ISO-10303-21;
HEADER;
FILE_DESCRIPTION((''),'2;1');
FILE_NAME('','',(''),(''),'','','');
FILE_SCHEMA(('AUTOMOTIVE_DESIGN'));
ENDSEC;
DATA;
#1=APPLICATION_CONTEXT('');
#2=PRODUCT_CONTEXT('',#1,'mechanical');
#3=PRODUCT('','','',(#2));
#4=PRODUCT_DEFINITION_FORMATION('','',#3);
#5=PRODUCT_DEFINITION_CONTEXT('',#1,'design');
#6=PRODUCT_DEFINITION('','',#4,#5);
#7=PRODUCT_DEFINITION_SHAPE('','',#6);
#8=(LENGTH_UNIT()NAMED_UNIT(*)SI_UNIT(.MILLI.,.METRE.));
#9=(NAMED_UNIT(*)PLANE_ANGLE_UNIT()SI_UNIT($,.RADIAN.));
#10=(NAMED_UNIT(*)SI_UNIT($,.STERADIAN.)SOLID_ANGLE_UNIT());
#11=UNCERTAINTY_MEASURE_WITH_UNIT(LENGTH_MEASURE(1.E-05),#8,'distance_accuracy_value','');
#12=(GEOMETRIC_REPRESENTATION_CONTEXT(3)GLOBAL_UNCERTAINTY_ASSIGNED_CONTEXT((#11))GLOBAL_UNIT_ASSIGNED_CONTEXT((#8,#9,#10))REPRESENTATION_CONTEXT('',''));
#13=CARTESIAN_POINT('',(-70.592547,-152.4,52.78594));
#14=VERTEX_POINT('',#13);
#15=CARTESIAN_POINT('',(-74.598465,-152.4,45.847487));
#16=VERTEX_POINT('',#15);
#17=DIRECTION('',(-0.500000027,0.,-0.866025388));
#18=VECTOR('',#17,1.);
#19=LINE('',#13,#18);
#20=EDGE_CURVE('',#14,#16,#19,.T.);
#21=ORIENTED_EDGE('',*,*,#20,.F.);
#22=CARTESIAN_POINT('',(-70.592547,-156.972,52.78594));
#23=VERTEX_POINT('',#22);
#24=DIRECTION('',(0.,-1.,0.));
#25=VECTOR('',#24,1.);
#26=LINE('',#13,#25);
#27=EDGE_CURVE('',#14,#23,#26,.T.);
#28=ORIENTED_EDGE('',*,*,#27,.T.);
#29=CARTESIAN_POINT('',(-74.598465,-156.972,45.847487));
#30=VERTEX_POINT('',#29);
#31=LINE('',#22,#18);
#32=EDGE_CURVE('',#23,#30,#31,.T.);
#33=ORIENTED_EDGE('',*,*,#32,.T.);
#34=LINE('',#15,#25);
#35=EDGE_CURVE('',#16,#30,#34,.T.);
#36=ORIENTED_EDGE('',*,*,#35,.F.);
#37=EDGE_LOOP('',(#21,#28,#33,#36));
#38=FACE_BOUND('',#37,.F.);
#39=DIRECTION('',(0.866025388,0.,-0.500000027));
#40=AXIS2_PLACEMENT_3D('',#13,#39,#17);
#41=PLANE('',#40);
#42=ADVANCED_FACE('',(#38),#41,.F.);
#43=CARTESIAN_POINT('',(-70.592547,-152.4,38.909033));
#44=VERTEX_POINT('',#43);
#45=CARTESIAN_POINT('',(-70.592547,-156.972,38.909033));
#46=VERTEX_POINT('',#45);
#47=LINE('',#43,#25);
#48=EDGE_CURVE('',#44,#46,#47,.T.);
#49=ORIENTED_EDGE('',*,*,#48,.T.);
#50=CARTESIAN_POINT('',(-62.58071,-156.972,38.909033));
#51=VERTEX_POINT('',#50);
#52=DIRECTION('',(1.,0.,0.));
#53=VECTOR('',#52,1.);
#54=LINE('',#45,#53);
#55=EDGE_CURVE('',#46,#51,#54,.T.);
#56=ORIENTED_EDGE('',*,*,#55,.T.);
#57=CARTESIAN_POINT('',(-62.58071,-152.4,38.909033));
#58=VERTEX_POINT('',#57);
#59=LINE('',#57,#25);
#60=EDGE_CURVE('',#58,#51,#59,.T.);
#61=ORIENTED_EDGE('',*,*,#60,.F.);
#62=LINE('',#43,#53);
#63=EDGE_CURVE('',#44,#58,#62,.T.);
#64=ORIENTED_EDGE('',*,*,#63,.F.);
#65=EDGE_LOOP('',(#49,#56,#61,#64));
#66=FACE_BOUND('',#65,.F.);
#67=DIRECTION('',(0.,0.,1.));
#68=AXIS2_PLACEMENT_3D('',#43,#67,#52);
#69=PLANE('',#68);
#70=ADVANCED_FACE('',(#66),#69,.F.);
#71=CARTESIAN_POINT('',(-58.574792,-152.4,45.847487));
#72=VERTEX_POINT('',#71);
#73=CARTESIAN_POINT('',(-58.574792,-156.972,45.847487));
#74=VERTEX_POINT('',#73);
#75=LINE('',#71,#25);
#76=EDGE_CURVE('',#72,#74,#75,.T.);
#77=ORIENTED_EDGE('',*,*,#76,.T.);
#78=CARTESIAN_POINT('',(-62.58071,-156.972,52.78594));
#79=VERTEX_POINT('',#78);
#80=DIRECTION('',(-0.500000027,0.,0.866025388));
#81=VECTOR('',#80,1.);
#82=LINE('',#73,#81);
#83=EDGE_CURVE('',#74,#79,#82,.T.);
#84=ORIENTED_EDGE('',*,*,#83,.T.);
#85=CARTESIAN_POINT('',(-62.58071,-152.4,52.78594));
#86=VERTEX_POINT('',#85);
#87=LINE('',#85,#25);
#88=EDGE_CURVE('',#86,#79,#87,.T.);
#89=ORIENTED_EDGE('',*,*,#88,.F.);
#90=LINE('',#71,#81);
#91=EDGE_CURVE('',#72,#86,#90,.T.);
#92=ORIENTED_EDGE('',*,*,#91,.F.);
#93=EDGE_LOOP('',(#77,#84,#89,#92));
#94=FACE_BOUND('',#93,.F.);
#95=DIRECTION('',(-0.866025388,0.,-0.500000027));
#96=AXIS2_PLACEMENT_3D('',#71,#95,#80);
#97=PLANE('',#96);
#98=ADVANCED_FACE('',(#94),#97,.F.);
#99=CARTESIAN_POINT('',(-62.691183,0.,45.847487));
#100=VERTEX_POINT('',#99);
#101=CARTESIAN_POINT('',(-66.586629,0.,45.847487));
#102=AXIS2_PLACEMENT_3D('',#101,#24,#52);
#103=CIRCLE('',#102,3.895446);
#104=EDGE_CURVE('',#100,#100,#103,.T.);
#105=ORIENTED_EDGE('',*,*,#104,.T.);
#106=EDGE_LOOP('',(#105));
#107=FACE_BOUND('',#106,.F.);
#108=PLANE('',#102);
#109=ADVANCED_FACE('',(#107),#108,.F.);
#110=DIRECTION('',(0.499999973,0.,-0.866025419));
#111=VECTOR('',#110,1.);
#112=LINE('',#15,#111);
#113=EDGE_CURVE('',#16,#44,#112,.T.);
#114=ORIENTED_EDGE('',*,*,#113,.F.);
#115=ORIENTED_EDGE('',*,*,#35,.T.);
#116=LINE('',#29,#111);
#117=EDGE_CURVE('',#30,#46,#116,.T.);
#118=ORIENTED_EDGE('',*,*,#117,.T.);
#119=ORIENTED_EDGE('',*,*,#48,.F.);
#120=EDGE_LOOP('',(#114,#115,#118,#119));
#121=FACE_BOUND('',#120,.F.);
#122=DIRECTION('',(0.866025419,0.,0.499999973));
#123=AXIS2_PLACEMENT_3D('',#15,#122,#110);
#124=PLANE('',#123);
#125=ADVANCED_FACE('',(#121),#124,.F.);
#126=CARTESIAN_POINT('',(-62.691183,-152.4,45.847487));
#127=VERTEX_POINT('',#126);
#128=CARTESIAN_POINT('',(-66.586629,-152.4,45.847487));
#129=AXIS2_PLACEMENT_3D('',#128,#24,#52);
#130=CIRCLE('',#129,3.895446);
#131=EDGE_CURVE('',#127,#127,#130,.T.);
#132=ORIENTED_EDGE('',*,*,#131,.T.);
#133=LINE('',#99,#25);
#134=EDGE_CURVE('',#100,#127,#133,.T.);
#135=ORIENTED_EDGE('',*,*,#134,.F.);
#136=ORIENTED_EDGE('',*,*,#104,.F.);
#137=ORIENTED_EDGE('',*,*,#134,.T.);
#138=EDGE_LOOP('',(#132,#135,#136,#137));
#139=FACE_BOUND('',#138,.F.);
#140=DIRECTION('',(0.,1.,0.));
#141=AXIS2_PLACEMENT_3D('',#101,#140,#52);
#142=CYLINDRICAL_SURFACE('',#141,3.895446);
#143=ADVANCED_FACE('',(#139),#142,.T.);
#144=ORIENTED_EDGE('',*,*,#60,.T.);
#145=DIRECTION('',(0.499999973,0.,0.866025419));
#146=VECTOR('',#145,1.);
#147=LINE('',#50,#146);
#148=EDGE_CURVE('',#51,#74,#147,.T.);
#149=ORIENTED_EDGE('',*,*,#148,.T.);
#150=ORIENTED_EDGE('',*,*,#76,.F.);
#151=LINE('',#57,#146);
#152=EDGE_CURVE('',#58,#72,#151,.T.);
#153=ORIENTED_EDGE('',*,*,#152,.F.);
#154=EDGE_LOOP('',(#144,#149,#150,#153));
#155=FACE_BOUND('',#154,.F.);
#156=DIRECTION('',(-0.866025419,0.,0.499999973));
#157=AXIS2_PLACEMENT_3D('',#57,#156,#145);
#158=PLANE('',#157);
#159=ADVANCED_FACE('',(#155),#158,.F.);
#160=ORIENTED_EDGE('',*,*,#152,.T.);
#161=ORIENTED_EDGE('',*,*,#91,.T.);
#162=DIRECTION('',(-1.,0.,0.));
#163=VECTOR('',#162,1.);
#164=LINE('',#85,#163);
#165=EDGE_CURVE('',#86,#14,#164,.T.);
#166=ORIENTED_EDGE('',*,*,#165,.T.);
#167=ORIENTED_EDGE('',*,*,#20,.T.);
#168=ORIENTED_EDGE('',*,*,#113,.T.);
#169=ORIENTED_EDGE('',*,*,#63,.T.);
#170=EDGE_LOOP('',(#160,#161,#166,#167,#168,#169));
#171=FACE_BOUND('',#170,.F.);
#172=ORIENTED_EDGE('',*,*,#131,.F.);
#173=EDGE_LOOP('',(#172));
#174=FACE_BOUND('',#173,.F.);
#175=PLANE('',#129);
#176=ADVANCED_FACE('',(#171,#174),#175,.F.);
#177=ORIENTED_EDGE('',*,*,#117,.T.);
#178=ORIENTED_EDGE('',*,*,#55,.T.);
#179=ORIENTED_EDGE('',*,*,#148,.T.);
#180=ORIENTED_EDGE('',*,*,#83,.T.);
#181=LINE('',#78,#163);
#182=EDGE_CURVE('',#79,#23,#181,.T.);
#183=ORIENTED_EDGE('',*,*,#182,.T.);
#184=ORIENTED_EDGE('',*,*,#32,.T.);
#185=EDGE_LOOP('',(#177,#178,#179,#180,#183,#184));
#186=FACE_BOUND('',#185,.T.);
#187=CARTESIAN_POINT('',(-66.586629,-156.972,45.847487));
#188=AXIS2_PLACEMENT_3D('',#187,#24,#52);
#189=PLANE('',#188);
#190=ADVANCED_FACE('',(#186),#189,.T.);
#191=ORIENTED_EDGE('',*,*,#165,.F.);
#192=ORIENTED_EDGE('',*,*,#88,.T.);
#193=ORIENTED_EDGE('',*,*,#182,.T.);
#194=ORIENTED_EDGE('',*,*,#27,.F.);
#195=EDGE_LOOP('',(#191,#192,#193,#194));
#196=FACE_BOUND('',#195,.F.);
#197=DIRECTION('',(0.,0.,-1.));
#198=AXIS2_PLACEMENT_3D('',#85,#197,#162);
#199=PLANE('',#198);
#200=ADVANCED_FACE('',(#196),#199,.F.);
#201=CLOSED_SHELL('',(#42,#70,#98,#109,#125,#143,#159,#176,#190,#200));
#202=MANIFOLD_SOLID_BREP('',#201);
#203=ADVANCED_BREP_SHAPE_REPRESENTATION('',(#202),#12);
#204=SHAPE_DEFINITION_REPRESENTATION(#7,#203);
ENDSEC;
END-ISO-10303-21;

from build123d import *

# Parameters (mm, degrees)
F0_R     = 3.895446
F1_DEPTH = 152.4
F5_DEPTH = 4.572


with BuildPart() as f1:
    # F0 (on Front) → F1 (new body)
    with BuildSketch(Plane.XZ):
        with Locations((-66.586629, 45.847487)):
            Circle(F0_R)
    extrude(amount=F1_DEPTH)

    # F2 (on face) → F5 (join)
    with BuildSketch(Plane.XZ.offset(152.4)):
        Polygon((-70.592547, 38.909033), (-62.58071, 38.909033), (-58.574792, 45.847487), (-62.58071, 52.78594), (-70.592547, 52.78594), (-74.598465, 45.847487), align=None)
    extrude(amount=F5_DEPTH)


with BuildPart() as f3_1:
    # F3: copy of F1
    add(f1.part.moved(Location((-51.054, 57.15, -154.94))))


solid = f1.part
